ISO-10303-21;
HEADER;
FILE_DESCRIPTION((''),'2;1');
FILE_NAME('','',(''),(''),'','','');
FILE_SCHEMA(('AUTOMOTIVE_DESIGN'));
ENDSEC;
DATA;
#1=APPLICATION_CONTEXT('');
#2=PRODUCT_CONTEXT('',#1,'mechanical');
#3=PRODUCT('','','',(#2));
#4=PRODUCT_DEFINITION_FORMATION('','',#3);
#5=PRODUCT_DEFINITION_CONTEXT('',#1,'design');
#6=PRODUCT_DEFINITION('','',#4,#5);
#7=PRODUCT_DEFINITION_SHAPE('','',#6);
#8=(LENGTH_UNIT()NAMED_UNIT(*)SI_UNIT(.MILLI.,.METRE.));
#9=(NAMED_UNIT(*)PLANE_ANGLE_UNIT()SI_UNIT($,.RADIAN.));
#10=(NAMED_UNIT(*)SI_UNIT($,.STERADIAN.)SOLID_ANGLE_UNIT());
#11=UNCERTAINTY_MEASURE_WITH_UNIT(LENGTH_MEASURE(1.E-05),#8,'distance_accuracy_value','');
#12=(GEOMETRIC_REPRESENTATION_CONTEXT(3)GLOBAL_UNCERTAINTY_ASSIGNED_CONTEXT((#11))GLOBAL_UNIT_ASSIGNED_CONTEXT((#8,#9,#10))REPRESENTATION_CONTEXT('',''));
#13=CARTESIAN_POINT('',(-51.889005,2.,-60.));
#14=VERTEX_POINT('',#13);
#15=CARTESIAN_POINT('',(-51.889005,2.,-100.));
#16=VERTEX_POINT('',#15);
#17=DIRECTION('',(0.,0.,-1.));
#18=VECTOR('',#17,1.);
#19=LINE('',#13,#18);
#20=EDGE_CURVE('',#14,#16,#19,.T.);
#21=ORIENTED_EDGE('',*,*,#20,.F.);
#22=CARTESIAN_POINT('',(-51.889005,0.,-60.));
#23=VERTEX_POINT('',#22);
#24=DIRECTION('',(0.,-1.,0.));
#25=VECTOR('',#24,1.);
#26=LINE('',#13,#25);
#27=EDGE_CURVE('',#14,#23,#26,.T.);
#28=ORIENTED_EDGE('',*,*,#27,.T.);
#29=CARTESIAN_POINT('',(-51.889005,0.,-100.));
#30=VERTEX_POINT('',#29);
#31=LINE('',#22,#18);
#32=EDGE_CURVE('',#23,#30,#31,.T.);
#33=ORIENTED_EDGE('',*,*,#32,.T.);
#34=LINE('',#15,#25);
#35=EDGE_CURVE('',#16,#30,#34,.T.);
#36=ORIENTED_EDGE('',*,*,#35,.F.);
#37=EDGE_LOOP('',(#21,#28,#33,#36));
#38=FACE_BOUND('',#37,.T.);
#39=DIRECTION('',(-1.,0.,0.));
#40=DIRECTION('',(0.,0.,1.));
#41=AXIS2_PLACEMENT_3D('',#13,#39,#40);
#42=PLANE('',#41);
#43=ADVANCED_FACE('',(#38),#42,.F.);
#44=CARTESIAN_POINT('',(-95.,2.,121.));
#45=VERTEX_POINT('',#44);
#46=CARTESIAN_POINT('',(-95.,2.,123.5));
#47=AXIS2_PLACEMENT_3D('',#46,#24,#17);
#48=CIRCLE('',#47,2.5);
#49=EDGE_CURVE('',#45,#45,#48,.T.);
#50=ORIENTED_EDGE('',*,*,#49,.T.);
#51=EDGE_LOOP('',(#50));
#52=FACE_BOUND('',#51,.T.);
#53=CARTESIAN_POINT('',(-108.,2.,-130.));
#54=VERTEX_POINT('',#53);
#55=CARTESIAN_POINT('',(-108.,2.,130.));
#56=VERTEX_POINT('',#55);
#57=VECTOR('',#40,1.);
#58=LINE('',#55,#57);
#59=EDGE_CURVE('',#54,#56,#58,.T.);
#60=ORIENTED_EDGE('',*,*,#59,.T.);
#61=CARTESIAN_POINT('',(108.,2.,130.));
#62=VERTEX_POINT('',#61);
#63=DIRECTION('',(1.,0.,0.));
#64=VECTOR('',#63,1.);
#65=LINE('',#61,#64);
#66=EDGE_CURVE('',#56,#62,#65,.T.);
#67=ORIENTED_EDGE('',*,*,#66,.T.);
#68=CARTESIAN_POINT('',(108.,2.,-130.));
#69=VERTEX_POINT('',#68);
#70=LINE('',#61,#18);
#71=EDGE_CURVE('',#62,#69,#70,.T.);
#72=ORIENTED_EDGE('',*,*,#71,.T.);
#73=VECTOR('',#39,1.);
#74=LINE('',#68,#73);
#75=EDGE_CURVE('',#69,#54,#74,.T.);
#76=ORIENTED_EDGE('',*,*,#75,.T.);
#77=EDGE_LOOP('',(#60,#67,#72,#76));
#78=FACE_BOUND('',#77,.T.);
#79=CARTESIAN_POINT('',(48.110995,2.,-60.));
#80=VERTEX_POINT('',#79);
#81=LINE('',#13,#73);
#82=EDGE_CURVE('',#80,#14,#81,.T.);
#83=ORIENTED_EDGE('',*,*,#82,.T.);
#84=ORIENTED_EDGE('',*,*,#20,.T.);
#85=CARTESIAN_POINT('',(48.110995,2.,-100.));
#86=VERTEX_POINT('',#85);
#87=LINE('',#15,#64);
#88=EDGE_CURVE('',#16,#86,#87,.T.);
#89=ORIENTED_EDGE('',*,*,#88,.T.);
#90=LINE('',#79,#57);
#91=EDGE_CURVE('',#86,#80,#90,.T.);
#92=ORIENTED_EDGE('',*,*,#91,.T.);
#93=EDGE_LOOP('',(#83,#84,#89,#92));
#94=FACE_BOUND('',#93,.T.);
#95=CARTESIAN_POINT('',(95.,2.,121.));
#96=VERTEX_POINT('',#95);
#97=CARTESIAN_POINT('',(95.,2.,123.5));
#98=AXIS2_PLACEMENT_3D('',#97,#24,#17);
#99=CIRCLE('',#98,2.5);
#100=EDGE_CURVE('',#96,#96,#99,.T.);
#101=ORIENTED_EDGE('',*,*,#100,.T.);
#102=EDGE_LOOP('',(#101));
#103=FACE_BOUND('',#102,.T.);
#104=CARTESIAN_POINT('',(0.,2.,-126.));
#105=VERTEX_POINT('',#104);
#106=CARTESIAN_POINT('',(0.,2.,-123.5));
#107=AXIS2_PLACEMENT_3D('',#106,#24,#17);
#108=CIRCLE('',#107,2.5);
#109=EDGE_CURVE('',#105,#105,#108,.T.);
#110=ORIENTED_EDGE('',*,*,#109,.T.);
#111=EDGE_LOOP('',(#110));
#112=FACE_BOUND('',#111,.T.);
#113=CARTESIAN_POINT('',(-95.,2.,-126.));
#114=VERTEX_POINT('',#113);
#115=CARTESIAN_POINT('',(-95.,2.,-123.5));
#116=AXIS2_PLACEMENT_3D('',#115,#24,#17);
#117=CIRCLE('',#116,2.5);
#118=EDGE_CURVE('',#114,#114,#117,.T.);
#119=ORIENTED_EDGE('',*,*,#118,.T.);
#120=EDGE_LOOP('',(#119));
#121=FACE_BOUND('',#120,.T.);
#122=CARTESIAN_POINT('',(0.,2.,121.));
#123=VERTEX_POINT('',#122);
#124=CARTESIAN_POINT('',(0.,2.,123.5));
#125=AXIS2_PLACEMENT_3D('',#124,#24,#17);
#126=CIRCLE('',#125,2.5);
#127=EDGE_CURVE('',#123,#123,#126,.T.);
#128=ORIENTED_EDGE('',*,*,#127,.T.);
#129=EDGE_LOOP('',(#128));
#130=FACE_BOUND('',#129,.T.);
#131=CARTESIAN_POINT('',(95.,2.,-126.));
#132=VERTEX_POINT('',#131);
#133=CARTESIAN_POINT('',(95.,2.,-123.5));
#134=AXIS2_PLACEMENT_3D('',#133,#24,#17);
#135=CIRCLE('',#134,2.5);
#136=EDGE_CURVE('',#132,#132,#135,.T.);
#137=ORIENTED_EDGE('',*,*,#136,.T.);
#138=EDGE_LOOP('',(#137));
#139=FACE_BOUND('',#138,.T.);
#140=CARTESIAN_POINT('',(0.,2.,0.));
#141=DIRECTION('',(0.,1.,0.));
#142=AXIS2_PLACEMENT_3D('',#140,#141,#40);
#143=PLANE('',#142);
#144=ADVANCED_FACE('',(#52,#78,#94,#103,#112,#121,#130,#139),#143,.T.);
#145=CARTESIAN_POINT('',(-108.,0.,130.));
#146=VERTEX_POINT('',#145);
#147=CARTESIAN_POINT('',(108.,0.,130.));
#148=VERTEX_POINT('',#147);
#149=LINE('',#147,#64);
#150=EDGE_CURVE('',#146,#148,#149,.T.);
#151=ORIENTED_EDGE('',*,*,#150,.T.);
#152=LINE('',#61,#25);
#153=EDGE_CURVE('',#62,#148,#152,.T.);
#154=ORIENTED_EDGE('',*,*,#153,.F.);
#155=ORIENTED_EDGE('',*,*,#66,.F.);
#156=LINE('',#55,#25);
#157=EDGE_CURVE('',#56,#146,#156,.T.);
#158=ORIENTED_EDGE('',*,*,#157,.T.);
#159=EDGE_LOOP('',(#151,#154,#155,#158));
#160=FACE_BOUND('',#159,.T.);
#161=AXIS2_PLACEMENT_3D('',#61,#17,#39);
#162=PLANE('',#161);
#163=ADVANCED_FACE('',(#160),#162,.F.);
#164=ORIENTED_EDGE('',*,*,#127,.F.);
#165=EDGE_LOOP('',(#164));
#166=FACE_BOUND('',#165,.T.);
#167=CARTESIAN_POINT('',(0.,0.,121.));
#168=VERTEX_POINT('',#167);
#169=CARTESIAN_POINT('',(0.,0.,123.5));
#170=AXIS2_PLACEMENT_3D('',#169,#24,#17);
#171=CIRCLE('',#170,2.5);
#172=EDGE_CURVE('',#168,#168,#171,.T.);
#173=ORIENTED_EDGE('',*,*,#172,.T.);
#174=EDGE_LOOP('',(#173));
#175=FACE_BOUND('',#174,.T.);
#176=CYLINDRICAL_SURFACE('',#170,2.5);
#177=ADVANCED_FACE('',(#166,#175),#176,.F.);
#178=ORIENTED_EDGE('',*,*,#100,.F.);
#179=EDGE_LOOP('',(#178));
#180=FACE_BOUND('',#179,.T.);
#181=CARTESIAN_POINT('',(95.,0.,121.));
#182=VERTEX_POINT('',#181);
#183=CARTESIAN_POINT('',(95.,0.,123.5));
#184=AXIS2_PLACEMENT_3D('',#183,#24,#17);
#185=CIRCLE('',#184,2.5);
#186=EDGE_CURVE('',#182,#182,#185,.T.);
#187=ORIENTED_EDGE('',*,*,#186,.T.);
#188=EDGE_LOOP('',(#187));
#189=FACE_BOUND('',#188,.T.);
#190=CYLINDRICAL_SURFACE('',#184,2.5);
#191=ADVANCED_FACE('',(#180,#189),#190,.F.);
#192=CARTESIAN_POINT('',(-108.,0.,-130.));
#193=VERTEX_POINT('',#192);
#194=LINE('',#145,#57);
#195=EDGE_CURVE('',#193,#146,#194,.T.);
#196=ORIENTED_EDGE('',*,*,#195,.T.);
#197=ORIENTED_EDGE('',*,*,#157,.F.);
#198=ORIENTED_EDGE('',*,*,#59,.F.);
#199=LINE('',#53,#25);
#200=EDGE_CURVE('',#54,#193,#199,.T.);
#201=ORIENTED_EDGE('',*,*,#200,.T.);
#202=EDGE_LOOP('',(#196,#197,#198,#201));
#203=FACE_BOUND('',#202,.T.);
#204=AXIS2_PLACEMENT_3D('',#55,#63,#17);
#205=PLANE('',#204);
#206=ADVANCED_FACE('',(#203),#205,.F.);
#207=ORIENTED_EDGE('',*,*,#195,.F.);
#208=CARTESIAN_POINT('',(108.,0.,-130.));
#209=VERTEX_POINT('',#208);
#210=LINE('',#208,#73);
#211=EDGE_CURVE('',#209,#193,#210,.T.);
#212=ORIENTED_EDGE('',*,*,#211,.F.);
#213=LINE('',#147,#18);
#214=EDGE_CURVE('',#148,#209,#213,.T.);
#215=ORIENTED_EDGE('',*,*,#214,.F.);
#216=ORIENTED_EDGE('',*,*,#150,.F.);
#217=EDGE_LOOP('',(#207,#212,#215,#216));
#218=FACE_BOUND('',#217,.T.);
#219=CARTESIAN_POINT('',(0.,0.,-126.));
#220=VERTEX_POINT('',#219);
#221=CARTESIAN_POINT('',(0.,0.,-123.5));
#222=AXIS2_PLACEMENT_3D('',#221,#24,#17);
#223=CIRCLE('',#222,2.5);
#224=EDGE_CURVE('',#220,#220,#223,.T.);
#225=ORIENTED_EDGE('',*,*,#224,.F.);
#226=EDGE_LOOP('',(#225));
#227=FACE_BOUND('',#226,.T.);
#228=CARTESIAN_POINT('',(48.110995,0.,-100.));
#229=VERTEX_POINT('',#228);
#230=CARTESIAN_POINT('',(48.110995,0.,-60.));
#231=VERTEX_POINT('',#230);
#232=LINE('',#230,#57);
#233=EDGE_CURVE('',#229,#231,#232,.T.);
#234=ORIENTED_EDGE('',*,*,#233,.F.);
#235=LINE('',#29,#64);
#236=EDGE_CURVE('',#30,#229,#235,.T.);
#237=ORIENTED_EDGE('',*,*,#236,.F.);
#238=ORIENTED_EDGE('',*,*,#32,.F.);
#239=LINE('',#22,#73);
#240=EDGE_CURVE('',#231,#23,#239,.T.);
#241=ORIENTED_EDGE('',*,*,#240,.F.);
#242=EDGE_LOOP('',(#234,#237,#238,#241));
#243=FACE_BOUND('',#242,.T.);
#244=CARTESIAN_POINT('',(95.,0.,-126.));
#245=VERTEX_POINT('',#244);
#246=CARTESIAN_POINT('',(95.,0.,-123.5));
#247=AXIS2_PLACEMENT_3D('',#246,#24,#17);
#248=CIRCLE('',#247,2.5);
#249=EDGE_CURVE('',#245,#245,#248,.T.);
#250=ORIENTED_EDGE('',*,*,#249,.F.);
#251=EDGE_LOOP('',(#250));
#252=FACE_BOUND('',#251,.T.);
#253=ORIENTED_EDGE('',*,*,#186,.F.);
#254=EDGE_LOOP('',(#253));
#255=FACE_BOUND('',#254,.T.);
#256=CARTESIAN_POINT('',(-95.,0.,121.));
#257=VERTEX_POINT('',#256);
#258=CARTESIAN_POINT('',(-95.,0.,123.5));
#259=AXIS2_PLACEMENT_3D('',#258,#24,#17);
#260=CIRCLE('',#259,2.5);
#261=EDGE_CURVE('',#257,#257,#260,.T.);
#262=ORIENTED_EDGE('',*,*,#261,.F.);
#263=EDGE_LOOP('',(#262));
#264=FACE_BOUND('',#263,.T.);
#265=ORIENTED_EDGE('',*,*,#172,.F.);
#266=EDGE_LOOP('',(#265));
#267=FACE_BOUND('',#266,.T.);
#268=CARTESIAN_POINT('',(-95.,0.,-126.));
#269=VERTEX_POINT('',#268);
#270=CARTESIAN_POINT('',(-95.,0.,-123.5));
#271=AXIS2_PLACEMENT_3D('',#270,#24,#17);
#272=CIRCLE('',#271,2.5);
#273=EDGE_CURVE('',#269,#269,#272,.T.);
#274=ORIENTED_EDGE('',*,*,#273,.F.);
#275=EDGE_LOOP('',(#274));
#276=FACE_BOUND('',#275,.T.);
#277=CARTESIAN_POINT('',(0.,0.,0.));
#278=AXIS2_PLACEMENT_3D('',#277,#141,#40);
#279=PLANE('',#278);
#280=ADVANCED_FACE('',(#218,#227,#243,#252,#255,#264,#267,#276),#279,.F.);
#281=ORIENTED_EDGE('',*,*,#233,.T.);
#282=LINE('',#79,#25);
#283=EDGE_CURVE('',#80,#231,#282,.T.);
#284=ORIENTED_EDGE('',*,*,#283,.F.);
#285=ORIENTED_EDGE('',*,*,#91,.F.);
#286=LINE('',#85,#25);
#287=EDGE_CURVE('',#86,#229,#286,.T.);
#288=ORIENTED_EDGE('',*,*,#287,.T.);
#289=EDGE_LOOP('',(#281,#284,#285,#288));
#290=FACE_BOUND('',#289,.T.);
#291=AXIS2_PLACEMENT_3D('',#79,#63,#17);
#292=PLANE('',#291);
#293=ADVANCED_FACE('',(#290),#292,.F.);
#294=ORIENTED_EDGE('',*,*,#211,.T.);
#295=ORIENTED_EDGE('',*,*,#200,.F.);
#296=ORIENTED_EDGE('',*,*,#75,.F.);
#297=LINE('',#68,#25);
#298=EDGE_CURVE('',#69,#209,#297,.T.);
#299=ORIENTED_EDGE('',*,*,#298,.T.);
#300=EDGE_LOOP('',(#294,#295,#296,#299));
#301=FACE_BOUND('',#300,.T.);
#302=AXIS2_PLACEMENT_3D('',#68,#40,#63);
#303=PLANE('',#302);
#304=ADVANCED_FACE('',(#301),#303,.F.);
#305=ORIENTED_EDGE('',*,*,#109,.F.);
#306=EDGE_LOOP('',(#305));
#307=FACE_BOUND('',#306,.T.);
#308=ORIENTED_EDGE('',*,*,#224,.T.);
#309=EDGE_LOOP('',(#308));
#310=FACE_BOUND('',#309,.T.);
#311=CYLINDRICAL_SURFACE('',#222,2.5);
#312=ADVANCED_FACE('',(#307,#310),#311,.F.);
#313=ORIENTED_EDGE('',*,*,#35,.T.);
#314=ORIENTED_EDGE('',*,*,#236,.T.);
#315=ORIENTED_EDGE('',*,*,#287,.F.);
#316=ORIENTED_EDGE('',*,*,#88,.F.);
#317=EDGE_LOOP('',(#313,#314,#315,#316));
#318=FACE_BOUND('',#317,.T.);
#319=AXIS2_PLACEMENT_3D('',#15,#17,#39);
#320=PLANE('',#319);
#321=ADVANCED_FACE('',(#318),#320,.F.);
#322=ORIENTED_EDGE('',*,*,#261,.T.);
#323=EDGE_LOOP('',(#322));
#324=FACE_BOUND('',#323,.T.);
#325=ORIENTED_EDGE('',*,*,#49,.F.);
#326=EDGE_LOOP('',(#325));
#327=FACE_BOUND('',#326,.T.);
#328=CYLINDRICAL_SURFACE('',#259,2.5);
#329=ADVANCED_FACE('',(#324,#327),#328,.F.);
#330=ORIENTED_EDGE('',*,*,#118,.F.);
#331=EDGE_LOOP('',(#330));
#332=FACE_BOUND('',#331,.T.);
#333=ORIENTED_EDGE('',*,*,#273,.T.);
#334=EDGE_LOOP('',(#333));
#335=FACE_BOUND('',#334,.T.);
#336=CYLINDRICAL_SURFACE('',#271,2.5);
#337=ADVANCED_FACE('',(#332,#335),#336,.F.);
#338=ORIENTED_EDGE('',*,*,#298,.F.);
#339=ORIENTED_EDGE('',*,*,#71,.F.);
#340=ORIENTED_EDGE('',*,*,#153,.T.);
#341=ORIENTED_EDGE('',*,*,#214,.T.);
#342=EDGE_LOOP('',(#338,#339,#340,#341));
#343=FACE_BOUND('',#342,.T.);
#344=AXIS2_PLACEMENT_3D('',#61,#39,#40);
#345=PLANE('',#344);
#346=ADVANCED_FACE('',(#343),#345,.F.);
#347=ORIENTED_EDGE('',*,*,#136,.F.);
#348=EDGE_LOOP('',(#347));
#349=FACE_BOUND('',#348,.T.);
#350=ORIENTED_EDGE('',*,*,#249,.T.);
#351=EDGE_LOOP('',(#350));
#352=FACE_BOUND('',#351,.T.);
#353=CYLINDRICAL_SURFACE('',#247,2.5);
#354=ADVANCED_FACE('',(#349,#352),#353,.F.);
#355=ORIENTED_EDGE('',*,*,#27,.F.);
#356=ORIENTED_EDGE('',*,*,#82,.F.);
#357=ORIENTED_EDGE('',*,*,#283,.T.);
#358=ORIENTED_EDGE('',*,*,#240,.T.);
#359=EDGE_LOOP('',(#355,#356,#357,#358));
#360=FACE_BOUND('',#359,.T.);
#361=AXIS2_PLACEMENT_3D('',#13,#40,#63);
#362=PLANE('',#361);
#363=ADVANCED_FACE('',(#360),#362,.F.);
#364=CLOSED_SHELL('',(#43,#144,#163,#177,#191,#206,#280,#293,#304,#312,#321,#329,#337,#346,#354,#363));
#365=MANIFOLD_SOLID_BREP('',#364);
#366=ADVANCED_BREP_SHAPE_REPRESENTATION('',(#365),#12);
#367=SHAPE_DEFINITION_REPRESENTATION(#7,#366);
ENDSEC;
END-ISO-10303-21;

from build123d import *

# Parameters (mm, degrees)
SKETCH_1_W          = 216
SKETCH_1_H          = 260
EXTRUDE_1_DEPTH     = 2
SKETCH_2_W          = 100
SKETCH_2_H          = 40
CUT_EXTRUDE_1_DEPTH = 2
MM_2_D              = 5


with BuildPart() as part:
    # 草图1 → 凸台-拉伸1 (new body)
    with BuildSketch(Plane(origin=(0, 0, 0), x_dir=(1, 0, 0), z_dir=(0, 1, 0))):
        Rectangle(SKETCH_1_W, SKETCH_1_H)
    extrude(amount=EXTRUDE_1_DEPTH)

    # 草图2 → 切除-拉伸1 (cut)
    with BuildSketch(Plane.XZ):
        with Locations((-1.889005497, -80)):
            Rectangle(SKETCH_2_W, SKETCH_2_H)
    extrude(amount=-CUT_EXTRUDE_1_DEPTH, mode=Mode.SUBTRACT)

    # 大小mm 暗销孔2 (through all)
    with Locations(Plane(origin=(45.636831669, 0, 442.05931397), x_dir=(-0.0785283775902434, 0, -0.9969118787099711), z_dir=(0, -1, 0))):
        with Locations((559.93638869, 93.623184237), (567.396584561, -1.08344424), (574.856780432, -95.790072718), (313.699154648, 74.226674972), (321.159350519, -20.479953505), (328.61954639, -115.186581983)):
            Hole(MM_2_D / 2)


solid = part.part
